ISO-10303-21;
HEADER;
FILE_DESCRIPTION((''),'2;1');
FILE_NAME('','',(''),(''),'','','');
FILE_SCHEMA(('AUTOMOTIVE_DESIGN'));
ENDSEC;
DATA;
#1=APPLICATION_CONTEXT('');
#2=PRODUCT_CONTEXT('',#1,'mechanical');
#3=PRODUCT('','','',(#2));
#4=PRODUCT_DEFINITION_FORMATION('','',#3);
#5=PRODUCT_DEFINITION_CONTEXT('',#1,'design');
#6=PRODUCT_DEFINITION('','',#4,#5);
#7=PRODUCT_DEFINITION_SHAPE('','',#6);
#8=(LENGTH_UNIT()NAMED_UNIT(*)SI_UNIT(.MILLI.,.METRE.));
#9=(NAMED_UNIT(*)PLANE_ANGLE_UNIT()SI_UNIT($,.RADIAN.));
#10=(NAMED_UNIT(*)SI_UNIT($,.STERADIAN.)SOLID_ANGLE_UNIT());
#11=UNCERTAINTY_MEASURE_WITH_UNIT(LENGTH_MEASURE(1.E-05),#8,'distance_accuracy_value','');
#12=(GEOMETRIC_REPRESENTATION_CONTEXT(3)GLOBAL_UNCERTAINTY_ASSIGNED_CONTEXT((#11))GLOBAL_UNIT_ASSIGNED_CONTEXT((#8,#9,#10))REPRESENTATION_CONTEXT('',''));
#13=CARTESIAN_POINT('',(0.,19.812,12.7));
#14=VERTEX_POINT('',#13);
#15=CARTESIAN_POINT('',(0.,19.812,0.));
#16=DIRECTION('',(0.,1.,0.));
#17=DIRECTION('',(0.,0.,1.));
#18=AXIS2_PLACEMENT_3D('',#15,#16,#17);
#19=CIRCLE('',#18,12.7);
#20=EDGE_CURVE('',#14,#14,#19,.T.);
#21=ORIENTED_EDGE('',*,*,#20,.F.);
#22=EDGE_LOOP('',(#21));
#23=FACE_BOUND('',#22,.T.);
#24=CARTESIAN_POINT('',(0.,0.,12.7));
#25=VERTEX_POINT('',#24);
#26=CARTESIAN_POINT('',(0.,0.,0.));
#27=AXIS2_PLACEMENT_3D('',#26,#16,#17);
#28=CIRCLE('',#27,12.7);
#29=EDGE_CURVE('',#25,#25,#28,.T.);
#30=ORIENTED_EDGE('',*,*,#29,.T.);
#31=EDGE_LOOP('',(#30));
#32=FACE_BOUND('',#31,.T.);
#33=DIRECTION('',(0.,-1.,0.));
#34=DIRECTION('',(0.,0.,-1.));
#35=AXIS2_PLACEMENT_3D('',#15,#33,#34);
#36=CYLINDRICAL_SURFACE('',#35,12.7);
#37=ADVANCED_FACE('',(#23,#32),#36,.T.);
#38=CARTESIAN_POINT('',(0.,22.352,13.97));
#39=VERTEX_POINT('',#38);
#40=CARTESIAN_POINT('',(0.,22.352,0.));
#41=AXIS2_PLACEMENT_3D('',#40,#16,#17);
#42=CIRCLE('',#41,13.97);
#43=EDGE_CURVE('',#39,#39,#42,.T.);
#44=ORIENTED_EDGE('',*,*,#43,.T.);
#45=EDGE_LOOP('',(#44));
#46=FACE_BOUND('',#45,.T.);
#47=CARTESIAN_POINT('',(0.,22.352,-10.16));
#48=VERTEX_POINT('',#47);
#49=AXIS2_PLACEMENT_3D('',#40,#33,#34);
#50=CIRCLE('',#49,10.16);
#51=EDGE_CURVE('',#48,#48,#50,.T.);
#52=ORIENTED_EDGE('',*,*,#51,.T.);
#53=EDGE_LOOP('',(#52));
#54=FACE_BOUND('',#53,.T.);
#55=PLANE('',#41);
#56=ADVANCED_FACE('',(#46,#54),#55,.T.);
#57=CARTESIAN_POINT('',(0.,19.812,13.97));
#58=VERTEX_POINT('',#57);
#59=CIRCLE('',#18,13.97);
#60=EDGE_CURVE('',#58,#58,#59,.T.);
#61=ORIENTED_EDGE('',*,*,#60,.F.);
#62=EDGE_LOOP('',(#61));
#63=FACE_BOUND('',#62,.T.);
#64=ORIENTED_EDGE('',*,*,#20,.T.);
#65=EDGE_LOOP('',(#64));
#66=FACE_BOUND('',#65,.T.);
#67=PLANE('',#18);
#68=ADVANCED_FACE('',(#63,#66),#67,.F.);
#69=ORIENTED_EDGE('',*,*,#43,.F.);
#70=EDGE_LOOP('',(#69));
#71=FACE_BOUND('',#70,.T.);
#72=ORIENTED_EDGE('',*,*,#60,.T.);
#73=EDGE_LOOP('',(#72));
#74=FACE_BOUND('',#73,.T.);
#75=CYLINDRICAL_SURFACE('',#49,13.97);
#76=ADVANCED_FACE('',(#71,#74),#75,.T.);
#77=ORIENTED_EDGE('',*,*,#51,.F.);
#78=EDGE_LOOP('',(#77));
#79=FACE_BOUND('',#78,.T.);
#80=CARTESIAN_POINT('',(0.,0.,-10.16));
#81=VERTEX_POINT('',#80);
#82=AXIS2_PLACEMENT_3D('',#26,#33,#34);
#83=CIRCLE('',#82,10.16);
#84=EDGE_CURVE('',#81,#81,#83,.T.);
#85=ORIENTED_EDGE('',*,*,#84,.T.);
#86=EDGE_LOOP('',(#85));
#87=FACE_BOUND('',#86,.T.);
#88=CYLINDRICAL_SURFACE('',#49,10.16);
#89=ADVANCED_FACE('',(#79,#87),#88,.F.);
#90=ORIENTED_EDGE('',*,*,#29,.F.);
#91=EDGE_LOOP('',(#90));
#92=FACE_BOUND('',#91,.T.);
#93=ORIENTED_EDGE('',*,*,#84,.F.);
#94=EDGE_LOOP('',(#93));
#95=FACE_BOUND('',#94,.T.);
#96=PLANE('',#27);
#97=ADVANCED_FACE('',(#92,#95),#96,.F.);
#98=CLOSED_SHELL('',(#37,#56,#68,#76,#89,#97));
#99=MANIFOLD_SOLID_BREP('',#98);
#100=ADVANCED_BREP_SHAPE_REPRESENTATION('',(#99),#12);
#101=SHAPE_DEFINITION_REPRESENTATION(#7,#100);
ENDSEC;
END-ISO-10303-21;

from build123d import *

# Parameters (mm, degrees)
SKETCH1_R           = 12.7
BOSS_EXTRUDE1_DEPTH = 19.812
SKETCH2_R           = 13.97
BOSS_EXTRUDE2_DEPTH = 2.54
SKETCH3_R           = 10.16
CUT_EXTRUDE1_DEPTH  = 23.352


with BuildPart() as part:
    # Sketch1 → Boss-Extrude1 (new body)
    with BuildSketch(Plane(origin=(0, 0, 0), x_dir=(1, 0, 0), z_dir=(0, 1, 0))):
        Circle(SKETCH1_R)
    extrude(amount=BOSS_EXTRUDE1_DEPTH)

    # Sketch2 → Boss-Extrude2 (add)
    with BuildSketch(Plane(origin=(0, 19.812, 0), x_dir=(1, 0, 0), z_dir=(0, 1, 0))):
        Circle(SKETCH2_R)
    extrude(amount=BOSS_EXTRUDE2_DEPTH)

    # Sketch3 → Cut-Extrude1 (cut, through all)
    with BuildSketch(Plane.XZ):
        Circle(SKETCH3_R)
    extrude(amount=-CUT_EXTRUDE1_DEPTH, mode=Mode.SUBTRACT)


solid = part.part
